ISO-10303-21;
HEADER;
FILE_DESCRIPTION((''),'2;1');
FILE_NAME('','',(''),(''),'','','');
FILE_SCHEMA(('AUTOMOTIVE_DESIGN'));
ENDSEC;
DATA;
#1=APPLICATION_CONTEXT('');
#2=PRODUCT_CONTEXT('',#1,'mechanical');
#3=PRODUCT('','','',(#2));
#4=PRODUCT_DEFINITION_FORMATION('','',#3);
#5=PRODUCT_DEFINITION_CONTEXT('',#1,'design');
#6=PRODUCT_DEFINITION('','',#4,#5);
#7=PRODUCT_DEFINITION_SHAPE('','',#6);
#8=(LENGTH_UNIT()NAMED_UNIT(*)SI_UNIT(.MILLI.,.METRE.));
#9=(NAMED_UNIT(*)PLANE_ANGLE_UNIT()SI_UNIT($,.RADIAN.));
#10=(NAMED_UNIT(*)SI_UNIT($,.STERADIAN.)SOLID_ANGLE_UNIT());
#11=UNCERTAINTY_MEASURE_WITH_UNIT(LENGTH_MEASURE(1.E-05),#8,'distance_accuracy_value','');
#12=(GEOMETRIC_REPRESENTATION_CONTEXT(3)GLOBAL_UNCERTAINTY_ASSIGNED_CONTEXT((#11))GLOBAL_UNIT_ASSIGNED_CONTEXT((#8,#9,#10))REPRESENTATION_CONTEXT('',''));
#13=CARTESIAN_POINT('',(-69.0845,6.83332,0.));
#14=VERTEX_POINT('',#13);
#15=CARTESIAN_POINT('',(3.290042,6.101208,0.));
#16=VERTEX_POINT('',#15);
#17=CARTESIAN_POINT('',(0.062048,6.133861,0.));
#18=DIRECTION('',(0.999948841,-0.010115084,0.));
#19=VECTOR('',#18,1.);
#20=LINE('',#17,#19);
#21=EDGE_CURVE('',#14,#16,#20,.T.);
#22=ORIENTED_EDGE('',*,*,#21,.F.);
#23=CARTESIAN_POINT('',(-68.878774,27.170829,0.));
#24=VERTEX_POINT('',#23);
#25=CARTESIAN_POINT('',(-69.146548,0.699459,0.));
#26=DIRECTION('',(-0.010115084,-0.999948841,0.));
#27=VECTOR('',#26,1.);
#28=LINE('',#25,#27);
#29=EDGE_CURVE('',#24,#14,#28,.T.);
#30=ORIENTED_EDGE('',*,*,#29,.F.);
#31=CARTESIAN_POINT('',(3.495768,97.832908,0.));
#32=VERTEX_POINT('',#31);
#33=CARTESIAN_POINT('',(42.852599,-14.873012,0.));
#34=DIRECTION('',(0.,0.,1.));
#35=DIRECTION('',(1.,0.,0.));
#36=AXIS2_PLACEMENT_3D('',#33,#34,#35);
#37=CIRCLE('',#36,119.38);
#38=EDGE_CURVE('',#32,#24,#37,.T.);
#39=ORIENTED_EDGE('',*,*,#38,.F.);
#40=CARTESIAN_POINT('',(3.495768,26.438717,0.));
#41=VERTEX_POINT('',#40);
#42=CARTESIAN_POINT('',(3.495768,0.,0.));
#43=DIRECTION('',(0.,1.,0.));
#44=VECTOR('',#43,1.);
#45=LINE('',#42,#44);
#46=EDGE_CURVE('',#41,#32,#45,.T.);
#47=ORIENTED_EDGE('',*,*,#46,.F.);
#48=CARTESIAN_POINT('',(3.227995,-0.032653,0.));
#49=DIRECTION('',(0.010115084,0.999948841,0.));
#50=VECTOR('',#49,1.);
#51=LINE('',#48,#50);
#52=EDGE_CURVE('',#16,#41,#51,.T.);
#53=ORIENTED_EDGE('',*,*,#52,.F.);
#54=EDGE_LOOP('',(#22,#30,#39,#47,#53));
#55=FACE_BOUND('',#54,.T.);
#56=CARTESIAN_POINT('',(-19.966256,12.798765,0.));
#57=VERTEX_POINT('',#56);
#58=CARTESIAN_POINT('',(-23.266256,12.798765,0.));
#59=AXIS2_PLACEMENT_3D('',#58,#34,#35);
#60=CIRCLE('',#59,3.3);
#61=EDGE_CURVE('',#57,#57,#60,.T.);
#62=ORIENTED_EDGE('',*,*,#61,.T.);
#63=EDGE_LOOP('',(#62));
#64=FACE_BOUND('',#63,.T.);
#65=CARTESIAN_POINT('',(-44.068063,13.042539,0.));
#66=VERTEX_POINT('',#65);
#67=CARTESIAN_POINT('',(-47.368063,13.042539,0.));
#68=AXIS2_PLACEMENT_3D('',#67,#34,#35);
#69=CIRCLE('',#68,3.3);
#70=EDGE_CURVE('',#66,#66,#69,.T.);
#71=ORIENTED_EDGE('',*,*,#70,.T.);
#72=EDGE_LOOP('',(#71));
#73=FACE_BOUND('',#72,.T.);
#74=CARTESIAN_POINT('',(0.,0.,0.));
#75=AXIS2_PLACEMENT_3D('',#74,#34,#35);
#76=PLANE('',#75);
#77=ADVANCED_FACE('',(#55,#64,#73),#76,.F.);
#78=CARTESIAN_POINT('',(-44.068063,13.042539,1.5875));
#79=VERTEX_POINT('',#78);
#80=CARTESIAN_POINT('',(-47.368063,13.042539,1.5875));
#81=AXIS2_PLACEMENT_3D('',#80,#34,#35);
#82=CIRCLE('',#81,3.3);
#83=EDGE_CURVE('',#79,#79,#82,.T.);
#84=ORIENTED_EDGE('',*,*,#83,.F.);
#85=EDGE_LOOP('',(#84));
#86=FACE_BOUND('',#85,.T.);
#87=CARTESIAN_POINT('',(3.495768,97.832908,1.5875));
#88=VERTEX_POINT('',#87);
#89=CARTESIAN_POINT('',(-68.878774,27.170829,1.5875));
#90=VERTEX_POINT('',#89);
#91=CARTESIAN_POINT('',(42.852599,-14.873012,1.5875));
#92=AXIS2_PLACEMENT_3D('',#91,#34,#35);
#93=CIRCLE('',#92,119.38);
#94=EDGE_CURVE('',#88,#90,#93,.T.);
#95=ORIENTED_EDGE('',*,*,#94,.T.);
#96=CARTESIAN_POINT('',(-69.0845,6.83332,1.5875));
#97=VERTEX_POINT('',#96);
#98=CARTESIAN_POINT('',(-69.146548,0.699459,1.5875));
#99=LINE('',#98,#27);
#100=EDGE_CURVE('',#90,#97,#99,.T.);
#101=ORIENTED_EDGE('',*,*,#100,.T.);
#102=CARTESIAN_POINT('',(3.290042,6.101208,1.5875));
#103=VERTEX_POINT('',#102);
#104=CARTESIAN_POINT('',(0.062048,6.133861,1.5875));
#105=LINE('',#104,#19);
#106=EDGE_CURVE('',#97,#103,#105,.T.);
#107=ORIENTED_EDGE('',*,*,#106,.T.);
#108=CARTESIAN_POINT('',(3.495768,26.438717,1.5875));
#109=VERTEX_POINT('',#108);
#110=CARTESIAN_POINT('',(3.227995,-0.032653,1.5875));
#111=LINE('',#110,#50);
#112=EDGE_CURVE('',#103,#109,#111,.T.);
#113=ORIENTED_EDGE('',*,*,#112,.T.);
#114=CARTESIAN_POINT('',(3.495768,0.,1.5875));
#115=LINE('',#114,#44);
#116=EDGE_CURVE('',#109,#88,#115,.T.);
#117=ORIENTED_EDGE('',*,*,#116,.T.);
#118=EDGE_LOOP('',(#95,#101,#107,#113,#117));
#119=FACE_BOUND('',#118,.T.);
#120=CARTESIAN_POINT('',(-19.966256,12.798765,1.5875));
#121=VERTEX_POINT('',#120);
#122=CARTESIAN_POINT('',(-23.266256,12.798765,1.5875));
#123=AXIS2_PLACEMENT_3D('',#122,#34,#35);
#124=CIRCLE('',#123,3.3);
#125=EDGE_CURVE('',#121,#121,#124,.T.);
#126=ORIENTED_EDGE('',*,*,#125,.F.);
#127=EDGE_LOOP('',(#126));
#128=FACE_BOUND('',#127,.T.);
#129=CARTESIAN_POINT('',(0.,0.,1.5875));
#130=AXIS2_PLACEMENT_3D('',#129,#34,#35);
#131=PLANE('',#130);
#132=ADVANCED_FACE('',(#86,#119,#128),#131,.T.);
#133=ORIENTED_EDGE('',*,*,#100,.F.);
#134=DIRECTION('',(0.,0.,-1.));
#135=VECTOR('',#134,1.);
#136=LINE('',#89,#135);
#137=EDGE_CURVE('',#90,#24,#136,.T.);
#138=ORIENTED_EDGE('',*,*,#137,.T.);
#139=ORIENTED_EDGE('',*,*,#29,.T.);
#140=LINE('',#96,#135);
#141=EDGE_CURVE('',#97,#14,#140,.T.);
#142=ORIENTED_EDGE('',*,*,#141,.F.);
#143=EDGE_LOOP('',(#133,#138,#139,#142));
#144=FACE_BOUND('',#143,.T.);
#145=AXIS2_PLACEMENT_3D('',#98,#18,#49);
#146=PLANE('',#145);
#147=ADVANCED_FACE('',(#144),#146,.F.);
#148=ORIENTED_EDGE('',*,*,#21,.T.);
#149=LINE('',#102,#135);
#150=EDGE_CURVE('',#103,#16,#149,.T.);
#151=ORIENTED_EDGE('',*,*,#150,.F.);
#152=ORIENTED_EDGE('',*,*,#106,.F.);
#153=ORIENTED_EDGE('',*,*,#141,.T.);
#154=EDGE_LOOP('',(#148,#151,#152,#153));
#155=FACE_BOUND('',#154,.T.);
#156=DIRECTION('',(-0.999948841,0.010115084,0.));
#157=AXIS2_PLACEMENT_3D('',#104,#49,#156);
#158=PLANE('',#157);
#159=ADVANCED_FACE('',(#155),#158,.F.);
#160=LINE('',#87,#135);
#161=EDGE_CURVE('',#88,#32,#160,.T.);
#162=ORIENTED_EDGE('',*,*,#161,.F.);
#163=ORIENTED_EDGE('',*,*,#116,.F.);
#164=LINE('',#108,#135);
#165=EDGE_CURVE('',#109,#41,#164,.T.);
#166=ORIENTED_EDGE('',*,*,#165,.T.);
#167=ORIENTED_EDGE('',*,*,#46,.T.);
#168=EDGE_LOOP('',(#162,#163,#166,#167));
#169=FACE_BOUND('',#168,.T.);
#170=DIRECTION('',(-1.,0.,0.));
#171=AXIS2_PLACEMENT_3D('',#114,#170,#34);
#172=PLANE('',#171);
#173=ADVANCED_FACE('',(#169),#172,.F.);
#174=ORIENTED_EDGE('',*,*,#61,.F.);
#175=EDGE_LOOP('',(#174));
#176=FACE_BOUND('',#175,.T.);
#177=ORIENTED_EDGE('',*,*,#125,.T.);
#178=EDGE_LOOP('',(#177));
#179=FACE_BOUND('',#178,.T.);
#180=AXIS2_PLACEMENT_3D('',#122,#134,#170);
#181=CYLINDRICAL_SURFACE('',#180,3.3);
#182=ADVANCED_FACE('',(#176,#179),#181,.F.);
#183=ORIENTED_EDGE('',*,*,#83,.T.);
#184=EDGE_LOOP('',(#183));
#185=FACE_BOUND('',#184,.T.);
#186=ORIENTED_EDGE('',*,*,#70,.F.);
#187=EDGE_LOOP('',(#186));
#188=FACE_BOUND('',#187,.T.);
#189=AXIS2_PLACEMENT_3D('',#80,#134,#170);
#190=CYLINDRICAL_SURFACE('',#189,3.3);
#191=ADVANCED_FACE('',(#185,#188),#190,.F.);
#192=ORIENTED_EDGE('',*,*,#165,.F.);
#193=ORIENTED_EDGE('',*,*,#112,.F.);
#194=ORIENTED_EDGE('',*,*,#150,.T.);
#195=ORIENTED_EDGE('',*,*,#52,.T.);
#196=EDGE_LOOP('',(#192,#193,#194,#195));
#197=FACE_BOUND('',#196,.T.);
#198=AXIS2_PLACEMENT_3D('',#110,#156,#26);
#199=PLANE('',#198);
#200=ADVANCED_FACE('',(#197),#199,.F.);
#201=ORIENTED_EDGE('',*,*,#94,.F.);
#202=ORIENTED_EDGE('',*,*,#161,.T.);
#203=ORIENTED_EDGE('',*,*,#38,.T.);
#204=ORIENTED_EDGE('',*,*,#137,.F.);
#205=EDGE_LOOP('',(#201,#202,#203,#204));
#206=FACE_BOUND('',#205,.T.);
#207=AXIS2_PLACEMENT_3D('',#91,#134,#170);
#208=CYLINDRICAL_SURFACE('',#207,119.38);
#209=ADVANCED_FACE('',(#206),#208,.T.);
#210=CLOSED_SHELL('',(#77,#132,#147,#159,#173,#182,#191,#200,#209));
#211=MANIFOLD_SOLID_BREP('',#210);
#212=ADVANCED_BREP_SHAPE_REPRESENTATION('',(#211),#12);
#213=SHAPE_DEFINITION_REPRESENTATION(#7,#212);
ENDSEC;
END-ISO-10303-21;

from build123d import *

# Parameters (mm, degrees)
SKETCH1_R           = 3.3
BOSS_EXTRUDE1_DEPTH = 1.5875


with BuildPart() as part:
    # Sketch1 → Boss-Extrude1 (new body)
    with BuildSketch(Plane.XY):
        with BuildLine():
            Line((-68.878774348, 27.170828826), (-69.084500488, 6.833319702))
            Line((-69.084500488, 6.833319702), (3.290042353, 6.101207661))
            Line((3.290042353, 6.101207661), (3.495768493, 26.438716786))
            Line((3.495768493, 26.438716786), (3.495768493, 97.832907794))
            ThreePointArc((3.495768493, 97.832907794), (-40.545204811, 70.545901145), (-68.878774348, 27.170828826))
        make_face()
        with Locations((-47.368063171, 13.042538508)):
            Circle(SKETCH1_R, mode=Mode.SUBTRACT)
        with Locations((-23.266255505, 12.798764706)):
            Circle(SKETCH1_R, mode=Mode.SUBTRACT)
    extrude(amount=BOSS_EXTRUDE1_DEPTH)


solid = part.part
